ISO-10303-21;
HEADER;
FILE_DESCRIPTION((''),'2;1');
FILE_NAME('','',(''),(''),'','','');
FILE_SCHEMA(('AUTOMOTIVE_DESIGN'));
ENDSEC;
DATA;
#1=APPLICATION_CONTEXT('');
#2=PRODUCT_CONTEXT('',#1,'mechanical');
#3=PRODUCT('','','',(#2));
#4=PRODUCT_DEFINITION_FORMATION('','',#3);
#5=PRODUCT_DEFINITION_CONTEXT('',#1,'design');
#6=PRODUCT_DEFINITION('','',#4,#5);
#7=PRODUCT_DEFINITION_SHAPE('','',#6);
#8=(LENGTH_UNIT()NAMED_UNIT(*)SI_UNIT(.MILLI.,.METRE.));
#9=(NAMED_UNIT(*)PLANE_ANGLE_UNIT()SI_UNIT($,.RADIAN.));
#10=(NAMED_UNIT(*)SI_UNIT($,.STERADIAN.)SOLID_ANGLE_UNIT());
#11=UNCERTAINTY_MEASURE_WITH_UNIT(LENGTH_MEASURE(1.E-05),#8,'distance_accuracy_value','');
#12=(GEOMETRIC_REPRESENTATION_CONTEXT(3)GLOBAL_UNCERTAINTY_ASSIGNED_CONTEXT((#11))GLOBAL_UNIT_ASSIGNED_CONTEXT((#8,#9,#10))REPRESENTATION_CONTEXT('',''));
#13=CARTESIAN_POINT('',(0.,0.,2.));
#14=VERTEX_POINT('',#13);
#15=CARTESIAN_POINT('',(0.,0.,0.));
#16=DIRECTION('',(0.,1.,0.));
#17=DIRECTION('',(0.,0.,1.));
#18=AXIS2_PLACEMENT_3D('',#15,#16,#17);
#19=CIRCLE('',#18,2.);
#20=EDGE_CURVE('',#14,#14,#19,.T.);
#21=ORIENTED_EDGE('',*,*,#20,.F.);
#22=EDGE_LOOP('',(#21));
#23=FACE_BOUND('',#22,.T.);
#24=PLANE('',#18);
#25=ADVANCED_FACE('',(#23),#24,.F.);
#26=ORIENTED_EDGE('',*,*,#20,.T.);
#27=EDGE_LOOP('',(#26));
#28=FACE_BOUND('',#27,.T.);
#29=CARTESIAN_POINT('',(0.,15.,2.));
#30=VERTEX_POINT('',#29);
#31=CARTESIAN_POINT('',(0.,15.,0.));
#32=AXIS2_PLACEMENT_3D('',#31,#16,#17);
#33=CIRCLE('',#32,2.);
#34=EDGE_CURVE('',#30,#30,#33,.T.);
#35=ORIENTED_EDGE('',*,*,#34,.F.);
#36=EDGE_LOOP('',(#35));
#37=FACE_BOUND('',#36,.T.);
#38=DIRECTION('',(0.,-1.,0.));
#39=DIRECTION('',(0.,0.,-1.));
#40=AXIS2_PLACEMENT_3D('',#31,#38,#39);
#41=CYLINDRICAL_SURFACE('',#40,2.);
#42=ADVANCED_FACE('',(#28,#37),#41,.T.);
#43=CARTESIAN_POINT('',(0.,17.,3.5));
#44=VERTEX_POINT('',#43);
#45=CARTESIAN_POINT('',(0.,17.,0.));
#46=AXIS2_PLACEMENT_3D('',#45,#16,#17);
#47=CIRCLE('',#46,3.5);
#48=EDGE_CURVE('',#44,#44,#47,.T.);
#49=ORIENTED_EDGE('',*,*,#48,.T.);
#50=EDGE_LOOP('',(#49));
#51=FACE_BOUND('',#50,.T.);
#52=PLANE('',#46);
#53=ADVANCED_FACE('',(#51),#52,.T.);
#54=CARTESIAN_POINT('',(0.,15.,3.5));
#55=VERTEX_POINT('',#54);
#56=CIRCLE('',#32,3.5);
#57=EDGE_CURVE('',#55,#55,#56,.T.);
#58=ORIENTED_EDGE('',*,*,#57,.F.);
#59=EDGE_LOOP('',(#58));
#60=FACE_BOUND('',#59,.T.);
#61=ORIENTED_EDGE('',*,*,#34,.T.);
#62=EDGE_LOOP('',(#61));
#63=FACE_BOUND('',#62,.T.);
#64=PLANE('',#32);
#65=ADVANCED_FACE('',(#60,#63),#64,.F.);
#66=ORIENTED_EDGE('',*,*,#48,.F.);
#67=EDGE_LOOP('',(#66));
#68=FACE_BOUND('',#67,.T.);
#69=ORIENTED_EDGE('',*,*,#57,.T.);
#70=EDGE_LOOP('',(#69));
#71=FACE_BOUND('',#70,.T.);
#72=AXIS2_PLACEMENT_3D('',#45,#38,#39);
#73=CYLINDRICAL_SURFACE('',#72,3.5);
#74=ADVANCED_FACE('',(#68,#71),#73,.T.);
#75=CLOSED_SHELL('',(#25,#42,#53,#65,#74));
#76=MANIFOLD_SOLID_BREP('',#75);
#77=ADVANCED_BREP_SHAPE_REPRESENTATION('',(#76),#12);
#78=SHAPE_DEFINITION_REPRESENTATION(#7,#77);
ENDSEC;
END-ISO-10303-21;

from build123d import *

# Parameters (mm, degrees)
ESQUISSE1_R      = 2
EXTRUSION1_DEPTH = 15
ESQUISSE2_R      = 3.5
EXTRUSION2_DEPTH = 2


with BuildPart() as part:
    # Esquisse1 → Extrusion1 (new body)
    with BuildSketch(Plane(origin=(0, 0, 0), x_dir=(1, 0, 0), z_dir=(0, 1, 0))):
        with Locations(Location((0, 0, 0), (0, 0, 270))):
            Circle(ESQUISSE1_R)
    extrude(amount=EXTRUSION1_DEPTH)

    # Esquisse2 → Extrusion2 (add)
    with BuildSketch(Plane(origin=(0, 15, 0), x_dir=(1, 0, 0), z_dir=(0, 1, 0))):
        with Locations(Location((0, 0, 0), (0, 0, 270))):
            Circle(ESQUISSE2_R)
    extrude(amount=EXTRUSION2_DEPTH)


solid = part.part
